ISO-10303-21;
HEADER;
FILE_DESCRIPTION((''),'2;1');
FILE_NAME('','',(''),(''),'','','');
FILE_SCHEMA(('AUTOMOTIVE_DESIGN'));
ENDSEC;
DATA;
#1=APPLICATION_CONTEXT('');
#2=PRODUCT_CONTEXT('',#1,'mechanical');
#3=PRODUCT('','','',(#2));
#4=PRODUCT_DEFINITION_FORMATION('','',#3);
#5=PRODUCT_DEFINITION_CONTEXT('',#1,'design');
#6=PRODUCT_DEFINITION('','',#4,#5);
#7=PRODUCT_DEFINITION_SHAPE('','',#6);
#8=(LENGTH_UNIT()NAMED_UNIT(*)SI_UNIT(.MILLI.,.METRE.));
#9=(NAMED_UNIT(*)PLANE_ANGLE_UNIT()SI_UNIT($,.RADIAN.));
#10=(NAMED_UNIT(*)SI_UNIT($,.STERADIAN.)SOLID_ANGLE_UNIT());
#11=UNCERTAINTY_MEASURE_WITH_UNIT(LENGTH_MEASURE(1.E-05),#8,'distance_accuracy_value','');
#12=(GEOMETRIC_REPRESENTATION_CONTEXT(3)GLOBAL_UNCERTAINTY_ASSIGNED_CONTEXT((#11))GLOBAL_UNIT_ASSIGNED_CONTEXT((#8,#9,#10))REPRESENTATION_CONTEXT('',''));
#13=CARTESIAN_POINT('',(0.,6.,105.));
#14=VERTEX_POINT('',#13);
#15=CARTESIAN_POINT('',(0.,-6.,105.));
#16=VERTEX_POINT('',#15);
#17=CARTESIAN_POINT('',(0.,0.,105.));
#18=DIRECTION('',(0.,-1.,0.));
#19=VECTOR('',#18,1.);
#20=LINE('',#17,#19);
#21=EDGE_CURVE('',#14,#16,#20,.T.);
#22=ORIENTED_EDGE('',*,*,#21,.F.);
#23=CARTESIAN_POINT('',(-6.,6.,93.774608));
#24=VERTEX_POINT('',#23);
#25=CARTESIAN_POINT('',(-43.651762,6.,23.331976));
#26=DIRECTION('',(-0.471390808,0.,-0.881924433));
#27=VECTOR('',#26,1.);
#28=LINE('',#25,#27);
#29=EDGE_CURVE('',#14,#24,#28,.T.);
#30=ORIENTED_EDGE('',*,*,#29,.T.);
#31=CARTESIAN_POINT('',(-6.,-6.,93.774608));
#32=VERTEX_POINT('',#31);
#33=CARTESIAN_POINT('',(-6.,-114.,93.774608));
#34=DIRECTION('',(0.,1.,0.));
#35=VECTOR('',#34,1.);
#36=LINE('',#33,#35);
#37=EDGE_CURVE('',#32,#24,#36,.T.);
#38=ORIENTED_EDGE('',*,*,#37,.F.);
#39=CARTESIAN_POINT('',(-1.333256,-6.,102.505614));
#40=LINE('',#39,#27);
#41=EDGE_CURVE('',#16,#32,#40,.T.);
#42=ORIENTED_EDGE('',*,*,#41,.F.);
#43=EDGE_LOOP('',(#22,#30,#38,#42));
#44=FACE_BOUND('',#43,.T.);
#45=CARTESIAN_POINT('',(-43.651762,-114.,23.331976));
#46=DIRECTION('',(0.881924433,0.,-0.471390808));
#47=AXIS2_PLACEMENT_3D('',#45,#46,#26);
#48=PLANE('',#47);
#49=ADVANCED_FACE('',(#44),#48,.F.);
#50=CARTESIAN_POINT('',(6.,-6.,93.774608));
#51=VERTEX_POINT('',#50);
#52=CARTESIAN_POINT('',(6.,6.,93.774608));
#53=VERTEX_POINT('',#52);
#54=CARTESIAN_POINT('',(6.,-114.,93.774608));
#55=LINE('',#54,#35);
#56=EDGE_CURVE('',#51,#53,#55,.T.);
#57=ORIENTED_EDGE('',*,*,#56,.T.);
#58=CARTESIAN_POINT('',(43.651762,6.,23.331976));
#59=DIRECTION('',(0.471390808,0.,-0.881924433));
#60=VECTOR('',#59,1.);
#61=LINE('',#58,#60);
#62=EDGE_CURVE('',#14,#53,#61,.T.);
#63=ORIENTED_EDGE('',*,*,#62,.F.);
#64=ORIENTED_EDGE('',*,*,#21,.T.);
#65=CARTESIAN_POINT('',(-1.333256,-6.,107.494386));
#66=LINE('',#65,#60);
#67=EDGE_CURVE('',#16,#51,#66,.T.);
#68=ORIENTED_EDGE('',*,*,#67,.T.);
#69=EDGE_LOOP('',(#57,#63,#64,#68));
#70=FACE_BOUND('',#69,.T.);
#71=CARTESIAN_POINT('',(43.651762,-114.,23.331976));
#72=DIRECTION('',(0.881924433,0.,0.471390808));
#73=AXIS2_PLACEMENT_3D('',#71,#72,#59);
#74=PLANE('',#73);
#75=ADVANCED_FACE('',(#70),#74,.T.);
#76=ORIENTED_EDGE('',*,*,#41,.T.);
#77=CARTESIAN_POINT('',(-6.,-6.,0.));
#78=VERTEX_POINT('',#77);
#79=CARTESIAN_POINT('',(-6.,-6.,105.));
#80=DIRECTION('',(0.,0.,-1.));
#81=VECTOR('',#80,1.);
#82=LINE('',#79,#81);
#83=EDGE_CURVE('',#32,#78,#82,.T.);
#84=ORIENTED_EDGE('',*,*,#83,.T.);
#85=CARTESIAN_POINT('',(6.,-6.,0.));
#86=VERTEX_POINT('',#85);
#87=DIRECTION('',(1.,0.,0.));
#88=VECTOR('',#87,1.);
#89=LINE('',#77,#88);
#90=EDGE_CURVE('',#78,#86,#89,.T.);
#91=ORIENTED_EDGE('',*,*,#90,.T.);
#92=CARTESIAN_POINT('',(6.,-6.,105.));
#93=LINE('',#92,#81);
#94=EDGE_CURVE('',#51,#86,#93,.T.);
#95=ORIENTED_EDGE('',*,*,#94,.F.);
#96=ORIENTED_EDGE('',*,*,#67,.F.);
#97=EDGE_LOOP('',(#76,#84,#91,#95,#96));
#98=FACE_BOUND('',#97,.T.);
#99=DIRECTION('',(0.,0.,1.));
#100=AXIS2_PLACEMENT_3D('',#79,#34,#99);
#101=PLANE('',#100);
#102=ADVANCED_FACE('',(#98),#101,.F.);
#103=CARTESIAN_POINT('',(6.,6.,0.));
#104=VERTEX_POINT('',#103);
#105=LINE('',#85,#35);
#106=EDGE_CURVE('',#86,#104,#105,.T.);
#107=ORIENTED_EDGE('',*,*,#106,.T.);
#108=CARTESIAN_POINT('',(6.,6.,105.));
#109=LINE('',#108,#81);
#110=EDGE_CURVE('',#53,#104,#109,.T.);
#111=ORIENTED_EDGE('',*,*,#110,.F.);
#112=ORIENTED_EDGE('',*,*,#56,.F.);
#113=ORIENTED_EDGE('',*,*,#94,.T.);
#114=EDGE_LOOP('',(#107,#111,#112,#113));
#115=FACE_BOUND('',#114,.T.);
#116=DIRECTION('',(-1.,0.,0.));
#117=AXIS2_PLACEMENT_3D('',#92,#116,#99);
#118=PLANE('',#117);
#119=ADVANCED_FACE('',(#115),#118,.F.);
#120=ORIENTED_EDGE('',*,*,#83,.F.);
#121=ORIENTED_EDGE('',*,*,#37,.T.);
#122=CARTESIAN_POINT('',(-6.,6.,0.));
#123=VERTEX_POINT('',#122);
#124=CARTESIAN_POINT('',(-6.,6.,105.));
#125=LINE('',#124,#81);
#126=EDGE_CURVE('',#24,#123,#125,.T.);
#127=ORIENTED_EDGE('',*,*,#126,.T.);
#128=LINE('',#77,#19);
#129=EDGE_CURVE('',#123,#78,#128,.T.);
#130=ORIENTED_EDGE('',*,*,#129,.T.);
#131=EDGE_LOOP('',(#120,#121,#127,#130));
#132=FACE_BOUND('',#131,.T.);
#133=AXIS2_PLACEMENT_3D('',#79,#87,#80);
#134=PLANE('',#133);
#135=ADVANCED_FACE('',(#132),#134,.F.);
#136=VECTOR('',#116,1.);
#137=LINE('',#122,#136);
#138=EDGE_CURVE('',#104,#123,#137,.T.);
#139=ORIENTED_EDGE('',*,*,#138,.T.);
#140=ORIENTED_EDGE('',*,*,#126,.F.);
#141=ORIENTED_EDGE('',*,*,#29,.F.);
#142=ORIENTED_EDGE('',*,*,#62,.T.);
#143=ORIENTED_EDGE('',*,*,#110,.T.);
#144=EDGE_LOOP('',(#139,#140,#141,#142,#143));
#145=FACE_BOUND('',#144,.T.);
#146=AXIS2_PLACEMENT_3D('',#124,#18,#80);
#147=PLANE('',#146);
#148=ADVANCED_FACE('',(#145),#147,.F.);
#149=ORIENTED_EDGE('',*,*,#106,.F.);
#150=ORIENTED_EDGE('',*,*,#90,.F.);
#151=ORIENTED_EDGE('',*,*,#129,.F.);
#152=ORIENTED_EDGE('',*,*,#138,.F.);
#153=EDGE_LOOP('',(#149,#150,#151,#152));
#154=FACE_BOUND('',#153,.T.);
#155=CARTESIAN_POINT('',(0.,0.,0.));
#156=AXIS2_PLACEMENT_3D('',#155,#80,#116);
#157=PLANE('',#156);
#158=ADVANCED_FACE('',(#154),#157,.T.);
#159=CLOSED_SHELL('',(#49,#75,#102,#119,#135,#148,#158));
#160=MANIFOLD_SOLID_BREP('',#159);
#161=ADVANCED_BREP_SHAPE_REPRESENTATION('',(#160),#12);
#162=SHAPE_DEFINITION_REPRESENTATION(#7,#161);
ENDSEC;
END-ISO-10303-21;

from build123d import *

# Parameters (mm, degrees)
SKETCH1_W           = 12
SKETCH1_H           = 12
BOSS_EXTRUDE1_DEPTH = 105
CUT_EXTRUDE1_DEPTH  = 120


with BuildPart() as part:
    # Sketch1 → Boss-Extrude1 (new body)
    with BuildSketch(Plane.XY):
        Rectangle(SKETCH1_W, SKETCH1_H)
    extrude(amount=BOSS_EXTRUDE1_DEPTH)

    # Sketch2 → Cut-Extrude1 (cut)
    with BuildSketch(Plane(origin=(0, 6, 0), x_dir=(1, 0, 0), z_dir=(0, 1, 0))):
        Polygon((-6, -105), (0, -105), (-6, -93.774608017), align=None)
        Polygon((6, -93.774608017), (0, -105), (6, -105), align=None)
    extrude(amount=-CUT_EXTRUDE1_DEPTH, mode=Mode.SUBTRACT)


solid = part.part
